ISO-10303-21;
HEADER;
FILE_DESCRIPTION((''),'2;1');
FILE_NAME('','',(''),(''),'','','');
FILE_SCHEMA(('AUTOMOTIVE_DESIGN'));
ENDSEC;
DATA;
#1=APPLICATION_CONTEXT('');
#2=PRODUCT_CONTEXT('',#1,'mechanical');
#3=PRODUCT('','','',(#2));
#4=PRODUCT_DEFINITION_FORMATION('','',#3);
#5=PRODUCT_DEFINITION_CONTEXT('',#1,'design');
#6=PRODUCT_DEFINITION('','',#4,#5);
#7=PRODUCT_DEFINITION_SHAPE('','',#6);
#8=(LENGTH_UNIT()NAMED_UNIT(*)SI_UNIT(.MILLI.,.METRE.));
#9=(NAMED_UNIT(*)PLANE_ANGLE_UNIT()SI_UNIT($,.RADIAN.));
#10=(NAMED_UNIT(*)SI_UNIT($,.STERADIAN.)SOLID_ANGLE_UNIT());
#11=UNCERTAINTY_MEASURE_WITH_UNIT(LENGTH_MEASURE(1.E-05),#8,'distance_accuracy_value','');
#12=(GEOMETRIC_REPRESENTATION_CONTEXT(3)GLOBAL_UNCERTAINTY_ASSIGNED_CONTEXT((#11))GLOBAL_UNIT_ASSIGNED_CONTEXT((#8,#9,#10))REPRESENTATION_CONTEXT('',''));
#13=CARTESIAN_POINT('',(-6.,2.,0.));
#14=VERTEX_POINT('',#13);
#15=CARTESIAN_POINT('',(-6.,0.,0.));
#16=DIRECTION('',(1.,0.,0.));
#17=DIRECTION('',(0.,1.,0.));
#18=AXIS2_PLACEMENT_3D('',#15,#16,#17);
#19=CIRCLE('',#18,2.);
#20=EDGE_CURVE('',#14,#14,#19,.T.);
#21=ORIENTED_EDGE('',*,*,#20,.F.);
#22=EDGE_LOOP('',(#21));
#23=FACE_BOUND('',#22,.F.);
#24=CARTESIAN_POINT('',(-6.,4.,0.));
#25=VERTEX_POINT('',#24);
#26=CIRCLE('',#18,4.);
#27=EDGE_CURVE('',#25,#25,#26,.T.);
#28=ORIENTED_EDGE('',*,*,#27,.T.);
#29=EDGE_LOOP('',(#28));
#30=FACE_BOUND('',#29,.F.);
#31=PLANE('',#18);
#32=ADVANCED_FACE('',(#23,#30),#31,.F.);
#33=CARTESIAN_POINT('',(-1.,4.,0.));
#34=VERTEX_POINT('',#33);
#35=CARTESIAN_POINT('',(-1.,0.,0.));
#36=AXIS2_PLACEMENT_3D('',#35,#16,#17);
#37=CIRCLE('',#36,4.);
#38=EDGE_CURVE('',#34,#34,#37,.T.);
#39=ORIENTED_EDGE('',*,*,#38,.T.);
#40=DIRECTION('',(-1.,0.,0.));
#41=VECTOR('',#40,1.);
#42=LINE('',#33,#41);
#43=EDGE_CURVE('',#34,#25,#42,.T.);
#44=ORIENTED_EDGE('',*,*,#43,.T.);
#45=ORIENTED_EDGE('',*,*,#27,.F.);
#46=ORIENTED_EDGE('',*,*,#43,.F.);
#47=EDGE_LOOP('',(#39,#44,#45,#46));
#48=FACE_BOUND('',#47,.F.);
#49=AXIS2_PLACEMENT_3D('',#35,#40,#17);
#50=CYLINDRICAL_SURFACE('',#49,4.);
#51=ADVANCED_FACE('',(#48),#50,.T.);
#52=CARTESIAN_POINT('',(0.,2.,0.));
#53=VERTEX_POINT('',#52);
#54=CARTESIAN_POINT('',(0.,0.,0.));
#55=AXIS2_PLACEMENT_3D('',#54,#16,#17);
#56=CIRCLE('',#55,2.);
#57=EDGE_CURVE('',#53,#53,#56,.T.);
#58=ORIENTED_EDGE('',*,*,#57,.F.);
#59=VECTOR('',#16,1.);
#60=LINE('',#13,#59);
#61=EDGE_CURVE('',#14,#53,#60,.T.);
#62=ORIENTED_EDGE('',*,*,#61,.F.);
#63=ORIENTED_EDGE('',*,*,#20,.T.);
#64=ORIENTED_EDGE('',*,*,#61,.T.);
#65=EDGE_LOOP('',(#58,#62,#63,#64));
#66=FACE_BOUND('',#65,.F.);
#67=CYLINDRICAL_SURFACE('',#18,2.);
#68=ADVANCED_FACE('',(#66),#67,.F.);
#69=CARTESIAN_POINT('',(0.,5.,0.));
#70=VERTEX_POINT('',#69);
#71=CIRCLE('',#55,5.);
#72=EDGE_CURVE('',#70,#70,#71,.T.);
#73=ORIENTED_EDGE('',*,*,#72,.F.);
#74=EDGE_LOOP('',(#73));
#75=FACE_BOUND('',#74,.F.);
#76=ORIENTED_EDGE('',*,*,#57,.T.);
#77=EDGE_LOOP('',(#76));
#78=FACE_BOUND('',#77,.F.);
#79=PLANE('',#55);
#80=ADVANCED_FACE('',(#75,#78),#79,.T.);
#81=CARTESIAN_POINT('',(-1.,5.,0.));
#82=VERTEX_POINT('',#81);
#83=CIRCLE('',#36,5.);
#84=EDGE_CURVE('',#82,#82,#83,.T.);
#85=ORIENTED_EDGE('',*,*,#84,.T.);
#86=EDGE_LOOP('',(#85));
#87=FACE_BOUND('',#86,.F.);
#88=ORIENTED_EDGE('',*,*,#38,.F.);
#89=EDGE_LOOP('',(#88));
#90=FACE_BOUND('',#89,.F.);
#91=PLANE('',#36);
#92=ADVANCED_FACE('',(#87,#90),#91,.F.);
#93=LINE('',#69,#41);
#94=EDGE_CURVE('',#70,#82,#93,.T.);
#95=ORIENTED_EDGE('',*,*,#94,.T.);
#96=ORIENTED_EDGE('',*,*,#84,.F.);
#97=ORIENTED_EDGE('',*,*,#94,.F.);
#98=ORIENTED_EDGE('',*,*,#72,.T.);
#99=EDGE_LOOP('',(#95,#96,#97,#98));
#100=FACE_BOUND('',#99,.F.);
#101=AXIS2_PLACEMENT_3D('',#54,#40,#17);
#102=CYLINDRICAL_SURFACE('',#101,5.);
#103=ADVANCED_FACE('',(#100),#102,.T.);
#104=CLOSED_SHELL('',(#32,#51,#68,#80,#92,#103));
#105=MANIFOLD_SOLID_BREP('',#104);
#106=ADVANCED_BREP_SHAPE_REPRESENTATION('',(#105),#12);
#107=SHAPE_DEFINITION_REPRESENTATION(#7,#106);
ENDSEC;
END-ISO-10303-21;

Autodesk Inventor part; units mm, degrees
ref_plane "YZ Plane" through (0, 0, 0) normal (1, 0, 0) x (0, 1, 0)
ref_plane "XZ Plane" through (0, 0, 0) normal (0, 1, 0) x (-1, 0, 0)
ref_plane "XY Plane" through (0, 0, 0) normal (0, 0, 1) x (1, 0, 0)
sketch "Skizze1" plane through (0, 0, 0) normal (0, 0, 1) x (1, 0, 0)
  line L0 (-7.2, 0) -> (1.2, 0) projected
  line L1 (0, -1) -> (0, 6) projected
  line L2 (-6, 2) -> (0, 2)
  line L3 (-1, 4) -> (-6, 4)
  line L4 (-6, 4) -> (-6, 2)
  line L5 (0, 2) -> (0, 5)
  line L6 (0, 5) -> (-1, 5)
  line L7 (-1, 5) -> (-1, 4)
  point P0 (0, 0)
  dimension "d0" = 4
  dimension "d1" = 8
  dimension "d2" = 10
  dimension "d3" = 1
  dimension "d4" = 6
revolve "Umdrehung1" add sketch "Skizze1" angle 360 about axis through (-10, 0, 0) along (1, 0, 0)
properties part number "Sinterbuchse 35 60 325 48106"
